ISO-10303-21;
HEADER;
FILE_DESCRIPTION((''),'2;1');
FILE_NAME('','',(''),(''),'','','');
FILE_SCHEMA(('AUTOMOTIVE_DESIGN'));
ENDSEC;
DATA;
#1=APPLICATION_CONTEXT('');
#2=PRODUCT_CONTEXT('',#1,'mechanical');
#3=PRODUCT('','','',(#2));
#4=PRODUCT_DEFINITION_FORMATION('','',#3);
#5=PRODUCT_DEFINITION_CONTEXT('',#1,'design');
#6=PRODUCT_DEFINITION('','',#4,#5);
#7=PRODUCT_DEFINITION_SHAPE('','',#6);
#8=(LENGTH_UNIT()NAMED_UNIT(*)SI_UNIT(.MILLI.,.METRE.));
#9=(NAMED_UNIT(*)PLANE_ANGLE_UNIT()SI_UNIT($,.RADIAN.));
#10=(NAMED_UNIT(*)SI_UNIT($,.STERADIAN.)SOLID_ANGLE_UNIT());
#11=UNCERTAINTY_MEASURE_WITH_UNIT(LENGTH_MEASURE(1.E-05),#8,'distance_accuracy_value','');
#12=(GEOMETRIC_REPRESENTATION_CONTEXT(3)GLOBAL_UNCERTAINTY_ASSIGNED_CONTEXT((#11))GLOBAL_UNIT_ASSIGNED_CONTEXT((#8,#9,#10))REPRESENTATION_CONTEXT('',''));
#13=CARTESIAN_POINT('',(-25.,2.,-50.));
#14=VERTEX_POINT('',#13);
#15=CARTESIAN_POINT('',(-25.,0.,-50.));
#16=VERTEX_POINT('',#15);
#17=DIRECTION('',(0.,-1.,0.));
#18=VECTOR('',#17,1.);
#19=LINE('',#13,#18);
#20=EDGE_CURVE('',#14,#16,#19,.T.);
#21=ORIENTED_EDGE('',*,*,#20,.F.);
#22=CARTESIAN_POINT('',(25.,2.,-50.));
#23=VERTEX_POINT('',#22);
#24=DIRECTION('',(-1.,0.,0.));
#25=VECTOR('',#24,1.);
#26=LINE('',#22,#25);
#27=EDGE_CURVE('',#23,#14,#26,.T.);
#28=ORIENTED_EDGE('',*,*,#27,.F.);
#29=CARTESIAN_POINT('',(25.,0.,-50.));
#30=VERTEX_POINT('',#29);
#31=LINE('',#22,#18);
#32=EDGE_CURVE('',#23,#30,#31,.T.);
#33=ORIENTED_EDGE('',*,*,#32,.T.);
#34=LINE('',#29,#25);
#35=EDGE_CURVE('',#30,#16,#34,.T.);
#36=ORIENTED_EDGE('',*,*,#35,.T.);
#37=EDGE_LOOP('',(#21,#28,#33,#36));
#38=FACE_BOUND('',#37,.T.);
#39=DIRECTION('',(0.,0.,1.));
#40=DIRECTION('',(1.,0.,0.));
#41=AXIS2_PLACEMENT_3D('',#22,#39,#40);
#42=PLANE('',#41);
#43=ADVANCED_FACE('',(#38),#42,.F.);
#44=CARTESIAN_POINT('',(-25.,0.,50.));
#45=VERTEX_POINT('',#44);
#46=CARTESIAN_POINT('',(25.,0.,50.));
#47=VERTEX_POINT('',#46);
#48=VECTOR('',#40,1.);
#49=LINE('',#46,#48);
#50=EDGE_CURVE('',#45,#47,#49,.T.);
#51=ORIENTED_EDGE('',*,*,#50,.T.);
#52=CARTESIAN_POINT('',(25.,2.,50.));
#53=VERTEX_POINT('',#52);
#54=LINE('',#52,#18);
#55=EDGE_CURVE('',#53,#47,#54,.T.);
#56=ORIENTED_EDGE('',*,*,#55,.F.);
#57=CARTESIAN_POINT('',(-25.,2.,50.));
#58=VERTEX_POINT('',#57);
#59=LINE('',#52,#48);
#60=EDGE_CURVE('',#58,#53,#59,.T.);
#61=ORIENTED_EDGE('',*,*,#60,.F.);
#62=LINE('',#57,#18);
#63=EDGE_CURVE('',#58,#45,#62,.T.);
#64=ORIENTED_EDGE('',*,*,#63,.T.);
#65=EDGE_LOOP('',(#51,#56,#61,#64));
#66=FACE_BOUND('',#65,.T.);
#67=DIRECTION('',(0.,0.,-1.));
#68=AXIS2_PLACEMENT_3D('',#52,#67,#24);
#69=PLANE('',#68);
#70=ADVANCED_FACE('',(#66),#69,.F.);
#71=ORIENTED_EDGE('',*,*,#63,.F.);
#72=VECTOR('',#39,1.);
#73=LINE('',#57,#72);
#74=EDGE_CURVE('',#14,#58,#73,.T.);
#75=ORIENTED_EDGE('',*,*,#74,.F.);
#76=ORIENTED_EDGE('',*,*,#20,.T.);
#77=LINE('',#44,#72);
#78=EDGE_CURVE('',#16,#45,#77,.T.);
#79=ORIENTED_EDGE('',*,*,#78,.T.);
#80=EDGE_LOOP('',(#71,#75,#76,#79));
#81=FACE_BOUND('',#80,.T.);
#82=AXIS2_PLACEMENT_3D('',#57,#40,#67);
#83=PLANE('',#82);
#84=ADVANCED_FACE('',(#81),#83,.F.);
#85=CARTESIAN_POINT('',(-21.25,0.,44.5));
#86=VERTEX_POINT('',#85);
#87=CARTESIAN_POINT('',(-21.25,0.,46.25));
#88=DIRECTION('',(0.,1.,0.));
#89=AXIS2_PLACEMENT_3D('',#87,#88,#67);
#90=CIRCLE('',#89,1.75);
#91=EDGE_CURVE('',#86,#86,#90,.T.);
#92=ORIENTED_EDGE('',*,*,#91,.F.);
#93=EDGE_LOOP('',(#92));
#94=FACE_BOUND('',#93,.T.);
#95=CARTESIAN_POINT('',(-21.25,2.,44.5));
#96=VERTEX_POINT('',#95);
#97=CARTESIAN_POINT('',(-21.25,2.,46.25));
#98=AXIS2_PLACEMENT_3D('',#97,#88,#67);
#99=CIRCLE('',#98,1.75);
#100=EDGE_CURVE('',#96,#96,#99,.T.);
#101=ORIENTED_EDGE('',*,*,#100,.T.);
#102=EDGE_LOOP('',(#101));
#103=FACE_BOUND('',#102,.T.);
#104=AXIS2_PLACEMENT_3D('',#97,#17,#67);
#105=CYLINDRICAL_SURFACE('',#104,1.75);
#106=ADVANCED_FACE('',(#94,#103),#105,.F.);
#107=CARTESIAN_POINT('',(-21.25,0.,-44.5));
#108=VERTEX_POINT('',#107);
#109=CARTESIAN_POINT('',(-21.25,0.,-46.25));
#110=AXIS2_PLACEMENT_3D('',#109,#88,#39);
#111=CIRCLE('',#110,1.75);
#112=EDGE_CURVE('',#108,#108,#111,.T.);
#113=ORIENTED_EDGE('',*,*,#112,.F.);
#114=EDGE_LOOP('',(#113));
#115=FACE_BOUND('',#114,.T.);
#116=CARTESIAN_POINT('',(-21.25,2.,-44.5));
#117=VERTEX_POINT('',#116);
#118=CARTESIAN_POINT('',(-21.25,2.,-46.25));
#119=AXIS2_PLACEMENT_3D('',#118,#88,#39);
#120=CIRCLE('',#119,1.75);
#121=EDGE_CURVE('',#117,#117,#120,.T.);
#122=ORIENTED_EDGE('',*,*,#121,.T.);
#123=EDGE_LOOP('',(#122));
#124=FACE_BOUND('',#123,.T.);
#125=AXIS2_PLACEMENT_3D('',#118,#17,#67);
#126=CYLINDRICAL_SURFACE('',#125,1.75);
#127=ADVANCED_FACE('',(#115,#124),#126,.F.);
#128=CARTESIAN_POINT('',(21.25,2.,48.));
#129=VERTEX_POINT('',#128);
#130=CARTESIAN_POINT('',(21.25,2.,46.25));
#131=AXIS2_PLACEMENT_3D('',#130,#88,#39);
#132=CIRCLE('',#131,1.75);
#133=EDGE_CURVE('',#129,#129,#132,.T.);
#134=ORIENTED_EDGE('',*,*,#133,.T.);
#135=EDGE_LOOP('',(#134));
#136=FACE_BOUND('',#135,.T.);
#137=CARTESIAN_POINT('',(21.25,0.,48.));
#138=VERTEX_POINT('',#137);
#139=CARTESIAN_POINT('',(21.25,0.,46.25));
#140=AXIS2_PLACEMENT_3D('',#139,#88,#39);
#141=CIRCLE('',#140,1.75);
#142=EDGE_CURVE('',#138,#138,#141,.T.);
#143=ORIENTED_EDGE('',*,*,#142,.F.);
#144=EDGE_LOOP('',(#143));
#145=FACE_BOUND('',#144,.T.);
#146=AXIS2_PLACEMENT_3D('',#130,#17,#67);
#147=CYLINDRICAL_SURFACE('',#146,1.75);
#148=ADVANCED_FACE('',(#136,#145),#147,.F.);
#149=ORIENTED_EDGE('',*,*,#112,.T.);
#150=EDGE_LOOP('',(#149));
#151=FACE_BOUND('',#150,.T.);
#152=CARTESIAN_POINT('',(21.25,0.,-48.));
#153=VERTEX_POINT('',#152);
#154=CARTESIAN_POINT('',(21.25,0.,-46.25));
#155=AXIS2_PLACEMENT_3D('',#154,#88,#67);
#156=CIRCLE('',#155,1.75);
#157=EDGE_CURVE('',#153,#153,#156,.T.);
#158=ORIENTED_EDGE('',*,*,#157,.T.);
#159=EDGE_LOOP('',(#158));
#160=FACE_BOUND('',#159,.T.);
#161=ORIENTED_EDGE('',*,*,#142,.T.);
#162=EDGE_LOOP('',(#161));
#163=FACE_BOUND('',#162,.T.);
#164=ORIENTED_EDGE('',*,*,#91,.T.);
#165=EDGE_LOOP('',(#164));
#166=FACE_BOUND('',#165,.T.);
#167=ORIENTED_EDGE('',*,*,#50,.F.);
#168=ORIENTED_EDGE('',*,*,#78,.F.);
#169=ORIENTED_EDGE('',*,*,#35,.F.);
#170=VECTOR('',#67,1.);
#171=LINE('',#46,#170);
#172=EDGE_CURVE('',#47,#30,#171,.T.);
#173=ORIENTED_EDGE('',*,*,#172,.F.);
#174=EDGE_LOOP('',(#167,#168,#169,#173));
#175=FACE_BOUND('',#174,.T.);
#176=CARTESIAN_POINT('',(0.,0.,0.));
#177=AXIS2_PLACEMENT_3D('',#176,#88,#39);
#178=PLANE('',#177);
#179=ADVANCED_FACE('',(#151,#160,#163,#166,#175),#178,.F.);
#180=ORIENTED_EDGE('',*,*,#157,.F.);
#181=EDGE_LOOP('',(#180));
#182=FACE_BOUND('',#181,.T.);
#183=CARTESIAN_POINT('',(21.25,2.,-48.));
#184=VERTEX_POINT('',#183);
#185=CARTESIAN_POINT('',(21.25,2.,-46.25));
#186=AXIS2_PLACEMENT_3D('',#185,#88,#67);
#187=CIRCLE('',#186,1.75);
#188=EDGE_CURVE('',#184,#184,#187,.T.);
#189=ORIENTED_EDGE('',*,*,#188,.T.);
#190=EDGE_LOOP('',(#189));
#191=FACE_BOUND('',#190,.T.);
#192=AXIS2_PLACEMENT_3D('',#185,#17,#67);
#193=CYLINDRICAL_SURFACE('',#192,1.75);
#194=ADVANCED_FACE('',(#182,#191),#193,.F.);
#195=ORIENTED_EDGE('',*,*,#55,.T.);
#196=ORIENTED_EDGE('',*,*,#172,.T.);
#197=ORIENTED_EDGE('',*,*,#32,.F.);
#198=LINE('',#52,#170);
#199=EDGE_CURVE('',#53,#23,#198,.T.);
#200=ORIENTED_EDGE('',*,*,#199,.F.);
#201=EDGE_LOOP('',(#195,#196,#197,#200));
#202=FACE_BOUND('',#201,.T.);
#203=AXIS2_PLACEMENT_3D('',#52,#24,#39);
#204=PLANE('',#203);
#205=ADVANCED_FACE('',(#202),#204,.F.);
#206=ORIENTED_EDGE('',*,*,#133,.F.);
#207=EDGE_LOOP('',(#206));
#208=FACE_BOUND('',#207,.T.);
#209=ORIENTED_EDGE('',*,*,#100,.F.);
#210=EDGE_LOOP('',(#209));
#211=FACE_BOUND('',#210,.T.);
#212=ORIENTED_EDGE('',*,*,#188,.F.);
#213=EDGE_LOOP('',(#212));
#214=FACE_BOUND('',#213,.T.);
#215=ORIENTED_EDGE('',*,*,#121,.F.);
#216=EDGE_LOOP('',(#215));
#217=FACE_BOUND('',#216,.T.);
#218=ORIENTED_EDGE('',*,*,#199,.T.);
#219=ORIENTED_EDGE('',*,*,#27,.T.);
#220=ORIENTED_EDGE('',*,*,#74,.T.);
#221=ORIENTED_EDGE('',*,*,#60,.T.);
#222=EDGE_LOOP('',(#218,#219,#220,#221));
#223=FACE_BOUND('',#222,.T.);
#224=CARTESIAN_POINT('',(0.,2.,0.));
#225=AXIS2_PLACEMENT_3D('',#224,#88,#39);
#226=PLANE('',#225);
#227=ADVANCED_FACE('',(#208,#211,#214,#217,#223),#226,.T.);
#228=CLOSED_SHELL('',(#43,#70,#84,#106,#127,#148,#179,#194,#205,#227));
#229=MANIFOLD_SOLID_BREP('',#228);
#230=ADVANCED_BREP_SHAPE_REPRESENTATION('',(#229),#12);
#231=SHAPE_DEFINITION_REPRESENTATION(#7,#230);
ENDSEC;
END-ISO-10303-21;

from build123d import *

# Parameters (mm, degrees)
SKETCH_1_W      = 50
SKETCH_1_H      = 100
SKETCH_1_R      = 1.75
EXTRUDE_1_DEPTH = 2


with BuildPart() as part:
    # 스케치1 → 보스-돌출1 (new body)
    with BuildSketch(Plane(origin=(0, 0, 0), x_dir=(1, 0, 0), z_dir=(0, 1, 0))):
        Rectangle(SKETCH_1_W, SKETCH_1_H)
        with Locations(Location((-21.25, 46.25, 0), (0, 0, 270))):
            Circle(SKETCH_1_R, mode=Mode.SUBTRACT)
        with Locations(Location((21.25, 46.25, 0), (0, 0, 90))):
            Circle(SKETCH_1_R, mode=Mode.SUBTRACT)
        with Locations(Location((21.25, -46.25, 0), (0, 0, 270))):
            Circle(SKETCH_1_R, mode=Mode.SUBTRACT)
        with Locations(Location((-21.25, -46.25, 0), (0, 0, 90))):
            Circle(SKETCH_1_R, mode=Mode.SUBTRACT)
    extrude(amount=EXTRUDE_1_DEPTH)


solid = part.part
